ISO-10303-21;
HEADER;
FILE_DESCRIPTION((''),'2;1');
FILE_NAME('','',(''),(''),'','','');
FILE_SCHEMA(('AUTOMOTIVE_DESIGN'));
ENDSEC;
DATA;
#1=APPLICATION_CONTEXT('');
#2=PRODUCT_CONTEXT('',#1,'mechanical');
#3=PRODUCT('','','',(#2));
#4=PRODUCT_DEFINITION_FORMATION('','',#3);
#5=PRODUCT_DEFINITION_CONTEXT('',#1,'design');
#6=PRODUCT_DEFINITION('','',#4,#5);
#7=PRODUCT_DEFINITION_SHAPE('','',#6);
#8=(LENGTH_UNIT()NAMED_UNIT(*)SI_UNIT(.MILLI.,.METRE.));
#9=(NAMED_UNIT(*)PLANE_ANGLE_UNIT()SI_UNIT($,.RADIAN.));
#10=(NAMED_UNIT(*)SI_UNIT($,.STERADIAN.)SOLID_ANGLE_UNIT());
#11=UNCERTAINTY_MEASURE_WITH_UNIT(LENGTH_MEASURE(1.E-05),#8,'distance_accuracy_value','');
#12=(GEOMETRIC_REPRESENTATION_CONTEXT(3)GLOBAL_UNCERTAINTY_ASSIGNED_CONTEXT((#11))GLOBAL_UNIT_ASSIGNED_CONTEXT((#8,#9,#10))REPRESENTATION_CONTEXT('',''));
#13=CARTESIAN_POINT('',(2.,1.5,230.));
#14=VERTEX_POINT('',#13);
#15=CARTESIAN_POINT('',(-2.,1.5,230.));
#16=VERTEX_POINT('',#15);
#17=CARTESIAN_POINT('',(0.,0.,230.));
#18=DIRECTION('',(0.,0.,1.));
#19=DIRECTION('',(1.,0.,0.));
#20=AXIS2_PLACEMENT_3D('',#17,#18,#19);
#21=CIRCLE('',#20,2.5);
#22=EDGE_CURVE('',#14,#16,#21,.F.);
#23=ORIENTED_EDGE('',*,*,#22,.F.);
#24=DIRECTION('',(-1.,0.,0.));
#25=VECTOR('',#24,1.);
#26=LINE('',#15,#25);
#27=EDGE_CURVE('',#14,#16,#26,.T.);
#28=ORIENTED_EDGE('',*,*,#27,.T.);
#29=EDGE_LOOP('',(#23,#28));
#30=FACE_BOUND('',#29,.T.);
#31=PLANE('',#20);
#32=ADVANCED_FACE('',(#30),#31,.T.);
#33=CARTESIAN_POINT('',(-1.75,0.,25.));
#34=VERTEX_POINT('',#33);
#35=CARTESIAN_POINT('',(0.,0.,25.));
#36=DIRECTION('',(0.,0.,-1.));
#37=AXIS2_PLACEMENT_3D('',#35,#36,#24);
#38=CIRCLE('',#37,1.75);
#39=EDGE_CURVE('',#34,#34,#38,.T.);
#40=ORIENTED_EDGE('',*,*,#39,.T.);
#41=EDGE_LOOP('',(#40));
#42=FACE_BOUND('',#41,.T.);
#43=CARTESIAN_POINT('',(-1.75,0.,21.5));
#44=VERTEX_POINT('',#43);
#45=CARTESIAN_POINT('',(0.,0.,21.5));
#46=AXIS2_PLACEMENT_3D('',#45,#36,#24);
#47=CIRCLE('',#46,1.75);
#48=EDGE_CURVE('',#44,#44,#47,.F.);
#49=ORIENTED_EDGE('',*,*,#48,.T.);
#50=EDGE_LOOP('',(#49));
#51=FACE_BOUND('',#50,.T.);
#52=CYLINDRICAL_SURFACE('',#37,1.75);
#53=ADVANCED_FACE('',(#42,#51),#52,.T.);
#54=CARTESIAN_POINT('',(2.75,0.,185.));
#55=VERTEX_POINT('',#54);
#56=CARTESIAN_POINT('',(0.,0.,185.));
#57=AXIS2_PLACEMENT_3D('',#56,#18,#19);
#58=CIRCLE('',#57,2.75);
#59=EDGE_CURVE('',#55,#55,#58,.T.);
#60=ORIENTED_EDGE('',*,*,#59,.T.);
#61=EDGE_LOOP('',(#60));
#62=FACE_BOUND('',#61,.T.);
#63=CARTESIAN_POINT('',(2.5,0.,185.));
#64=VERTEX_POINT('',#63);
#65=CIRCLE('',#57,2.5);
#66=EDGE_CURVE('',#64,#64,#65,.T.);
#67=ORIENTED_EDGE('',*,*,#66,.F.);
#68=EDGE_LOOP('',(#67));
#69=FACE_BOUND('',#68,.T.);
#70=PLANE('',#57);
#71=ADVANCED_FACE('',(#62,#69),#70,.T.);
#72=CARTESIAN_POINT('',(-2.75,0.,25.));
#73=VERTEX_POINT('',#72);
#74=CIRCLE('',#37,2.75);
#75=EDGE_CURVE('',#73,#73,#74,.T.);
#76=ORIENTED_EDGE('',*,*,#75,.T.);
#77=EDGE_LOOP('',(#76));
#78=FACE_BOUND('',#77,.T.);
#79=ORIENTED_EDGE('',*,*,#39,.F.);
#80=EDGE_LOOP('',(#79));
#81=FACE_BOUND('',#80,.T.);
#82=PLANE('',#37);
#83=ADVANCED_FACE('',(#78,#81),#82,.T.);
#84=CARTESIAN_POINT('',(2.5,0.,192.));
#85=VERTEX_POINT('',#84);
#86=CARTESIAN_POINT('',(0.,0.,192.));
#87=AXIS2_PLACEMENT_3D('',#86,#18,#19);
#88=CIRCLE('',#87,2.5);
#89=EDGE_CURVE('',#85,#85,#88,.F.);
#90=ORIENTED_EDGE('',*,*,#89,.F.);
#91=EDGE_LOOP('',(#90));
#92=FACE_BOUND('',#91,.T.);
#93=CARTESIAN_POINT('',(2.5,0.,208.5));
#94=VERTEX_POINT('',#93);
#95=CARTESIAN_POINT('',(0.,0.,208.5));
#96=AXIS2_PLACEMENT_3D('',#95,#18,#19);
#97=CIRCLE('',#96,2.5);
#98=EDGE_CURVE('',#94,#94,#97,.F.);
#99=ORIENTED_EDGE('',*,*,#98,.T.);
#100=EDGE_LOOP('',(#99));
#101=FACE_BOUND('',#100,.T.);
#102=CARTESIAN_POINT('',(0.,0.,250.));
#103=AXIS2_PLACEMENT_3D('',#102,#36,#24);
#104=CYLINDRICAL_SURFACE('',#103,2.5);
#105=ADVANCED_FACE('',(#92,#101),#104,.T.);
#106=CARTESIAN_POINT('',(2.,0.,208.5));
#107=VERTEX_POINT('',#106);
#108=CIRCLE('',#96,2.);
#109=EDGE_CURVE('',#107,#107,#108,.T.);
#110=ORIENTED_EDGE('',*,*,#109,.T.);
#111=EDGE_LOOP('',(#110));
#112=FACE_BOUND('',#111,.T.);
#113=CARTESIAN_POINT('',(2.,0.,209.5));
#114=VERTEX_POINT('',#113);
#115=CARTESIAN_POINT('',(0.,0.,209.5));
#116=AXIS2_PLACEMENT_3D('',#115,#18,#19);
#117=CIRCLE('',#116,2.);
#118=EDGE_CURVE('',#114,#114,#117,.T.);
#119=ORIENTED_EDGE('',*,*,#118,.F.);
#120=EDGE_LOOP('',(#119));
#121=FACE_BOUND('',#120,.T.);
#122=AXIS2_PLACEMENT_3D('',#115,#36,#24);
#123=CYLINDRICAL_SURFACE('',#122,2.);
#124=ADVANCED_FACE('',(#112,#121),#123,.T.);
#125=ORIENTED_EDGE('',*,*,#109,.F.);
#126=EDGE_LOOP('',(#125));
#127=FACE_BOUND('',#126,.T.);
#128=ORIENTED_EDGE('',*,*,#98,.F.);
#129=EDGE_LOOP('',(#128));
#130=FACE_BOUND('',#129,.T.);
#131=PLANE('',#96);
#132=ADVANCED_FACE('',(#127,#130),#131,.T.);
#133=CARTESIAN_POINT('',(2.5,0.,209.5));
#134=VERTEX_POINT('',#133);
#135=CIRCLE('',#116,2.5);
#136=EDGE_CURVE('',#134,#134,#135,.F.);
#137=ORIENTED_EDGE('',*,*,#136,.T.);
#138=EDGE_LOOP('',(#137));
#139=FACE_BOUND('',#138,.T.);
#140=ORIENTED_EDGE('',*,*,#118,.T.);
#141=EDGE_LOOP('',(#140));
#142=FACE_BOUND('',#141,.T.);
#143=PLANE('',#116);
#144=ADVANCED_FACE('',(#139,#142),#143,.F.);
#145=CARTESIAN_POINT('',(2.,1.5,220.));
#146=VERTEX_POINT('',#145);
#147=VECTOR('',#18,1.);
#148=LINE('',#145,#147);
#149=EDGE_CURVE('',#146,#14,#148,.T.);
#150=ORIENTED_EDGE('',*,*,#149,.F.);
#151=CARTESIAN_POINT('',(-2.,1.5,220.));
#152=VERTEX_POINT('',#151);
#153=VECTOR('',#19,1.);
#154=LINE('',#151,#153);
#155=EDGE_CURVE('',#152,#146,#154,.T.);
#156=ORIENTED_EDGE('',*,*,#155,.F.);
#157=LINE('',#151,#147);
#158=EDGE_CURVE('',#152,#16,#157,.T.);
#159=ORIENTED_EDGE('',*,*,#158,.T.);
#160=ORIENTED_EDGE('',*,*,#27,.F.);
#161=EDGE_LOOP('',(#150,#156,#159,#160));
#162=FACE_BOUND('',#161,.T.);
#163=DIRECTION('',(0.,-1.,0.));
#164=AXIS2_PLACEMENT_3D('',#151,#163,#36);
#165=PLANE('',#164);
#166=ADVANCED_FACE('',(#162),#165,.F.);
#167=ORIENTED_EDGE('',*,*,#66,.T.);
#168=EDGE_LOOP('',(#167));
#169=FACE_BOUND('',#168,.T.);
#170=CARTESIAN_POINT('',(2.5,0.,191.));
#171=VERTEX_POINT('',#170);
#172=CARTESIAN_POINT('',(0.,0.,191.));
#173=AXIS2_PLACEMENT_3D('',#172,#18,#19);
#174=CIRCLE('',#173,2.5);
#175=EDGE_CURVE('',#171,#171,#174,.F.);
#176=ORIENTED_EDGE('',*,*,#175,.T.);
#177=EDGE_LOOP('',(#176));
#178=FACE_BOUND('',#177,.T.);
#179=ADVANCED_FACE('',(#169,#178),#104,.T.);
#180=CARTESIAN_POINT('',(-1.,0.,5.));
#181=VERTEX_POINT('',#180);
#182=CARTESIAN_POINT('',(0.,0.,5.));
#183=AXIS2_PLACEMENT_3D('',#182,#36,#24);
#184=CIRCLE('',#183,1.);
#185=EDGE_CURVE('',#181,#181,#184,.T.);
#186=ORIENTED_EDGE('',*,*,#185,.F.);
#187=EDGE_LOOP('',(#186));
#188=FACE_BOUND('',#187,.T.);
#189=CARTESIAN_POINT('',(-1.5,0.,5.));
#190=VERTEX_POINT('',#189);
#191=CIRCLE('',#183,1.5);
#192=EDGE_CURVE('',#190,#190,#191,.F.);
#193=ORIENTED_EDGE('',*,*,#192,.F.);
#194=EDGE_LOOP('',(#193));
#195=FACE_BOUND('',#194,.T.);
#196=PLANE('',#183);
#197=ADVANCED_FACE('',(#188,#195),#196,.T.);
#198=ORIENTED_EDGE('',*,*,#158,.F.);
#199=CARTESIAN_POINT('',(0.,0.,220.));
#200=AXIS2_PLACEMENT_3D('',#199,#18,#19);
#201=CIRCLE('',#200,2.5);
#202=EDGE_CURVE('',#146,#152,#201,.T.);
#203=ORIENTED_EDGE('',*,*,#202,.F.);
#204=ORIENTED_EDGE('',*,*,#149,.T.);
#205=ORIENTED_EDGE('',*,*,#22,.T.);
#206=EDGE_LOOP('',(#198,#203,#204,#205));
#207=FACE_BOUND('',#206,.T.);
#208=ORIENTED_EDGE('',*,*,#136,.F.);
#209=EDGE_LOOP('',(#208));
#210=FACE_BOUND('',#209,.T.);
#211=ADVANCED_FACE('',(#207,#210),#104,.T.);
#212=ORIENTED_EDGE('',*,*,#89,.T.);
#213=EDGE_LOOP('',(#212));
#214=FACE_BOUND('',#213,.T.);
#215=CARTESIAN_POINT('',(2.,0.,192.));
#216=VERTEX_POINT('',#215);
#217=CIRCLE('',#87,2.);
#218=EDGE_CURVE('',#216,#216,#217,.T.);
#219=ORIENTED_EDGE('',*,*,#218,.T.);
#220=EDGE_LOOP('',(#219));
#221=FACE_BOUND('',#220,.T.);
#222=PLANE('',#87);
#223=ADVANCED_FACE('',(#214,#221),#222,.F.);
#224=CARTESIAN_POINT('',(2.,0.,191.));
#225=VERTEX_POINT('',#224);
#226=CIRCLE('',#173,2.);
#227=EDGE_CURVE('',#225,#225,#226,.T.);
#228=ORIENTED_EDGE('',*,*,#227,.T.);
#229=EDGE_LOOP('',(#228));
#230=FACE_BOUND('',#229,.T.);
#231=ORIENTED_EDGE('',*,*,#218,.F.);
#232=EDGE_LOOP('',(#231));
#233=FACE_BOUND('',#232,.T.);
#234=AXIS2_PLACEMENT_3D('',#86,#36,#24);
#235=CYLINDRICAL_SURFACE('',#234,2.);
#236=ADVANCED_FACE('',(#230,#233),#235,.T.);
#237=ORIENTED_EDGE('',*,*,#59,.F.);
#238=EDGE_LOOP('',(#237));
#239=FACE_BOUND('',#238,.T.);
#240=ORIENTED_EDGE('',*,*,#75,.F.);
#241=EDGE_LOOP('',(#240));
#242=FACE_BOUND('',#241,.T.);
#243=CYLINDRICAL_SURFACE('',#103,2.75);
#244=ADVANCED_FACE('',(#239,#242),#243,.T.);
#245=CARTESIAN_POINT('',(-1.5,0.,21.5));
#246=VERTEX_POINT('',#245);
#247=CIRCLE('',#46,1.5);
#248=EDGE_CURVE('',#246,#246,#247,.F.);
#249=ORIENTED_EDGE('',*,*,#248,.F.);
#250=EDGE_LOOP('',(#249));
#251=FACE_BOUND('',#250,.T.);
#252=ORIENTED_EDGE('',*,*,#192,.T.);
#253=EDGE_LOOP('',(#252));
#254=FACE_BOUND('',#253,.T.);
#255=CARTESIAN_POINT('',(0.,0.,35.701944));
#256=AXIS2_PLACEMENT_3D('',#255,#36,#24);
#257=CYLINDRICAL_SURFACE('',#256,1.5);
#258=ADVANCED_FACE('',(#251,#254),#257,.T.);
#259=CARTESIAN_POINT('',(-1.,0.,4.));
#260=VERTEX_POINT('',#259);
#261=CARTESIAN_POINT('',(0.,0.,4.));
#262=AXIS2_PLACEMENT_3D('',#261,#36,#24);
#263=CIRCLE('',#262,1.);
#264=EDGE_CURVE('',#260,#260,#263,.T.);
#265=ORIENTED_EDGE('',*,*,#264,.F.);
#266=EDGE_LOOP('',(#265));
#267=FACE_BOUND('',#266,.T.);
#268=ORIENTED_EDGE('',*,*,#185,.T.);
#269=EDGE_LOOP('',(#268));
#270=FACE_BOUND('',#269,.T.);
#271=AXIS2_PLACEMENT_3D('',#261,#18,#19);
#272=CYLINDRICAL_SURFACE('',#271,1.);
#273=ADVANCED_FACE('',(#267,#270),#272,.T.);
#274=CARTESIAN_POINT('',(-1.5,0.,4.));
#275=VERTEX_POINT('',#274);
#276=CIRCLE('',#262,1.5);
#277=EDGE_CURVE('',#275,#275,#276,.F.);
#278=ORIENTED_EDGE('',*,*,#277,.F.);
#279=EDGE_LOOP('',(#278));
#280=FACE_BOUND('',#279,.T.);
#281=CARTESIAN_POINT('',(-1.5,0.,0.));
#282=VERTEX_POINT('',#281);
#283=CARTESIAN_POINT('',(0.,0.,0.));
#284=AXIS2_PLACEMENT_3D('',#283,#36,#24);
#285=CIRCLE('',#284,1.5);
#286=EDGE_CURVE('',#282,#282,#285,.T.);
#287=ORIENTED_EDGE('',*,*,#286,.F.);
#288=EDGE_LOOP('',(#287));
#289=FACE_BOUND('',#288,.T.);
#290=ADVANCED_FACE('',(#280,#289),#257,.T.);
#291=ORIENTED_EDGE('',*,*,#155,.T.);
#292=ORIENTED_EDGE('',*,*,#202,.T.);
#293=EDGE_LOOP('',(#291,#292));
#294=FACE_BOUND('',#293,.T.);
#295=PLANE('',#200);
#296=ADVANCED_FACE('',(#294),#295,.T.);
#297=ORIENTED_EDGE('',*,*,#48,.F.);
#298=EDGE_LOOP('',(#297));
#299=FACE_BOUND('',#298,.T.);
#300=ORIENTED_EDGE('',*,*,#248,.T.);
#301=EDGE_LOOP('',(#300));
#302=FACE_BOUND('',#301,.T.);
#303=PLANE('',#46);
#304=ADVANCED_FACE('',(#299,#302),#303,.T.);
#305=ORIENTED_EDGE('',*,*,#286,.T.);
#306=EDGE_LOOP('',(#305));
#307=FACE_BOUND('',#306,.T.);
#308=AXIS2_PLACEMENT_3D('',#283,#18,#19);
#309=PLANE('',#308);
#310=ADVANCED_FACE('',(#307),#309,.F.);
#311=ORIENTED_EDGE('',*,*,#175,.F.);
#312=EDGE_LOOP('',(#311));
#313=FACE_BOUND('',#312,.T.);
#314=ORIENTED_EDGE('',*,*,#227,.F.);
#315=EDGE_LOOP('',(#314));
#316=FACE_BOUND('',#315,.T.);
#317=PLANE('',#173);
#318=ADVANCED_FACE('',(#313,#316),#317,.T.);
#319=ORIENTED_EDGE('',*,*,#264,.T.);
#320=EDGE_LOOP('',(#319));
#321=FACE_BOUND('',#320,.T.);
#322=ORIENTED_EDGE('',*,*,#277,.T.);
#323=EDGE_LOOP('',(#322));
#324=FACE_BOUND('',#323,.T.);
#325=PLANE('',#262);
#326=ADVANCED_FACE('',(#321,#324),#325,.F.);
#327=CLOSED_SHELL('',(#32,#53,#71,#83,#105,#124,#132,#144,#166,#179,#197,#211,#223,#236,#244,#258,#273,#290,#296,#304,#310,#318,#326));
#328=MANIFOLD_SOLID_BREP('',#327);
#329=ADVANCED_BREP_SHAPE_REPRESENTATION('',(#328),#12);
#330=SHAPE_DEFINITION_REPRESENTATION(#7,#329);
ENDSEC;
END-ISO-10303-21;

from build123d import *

# Parameters (mm, degrees)
SKETCH_1_R           = 2.75
EXTRUDE_6_DEPTH      = 250
SKETCH_22_R          = 3.543321461
SKETCH_22_R_2        = 1.75
CUT_EXTRUDE_16_DEPTH = 25
SKETCH_23_R          = 4.906655543
SKETCH_23_R_2        = 2.5
CUT_EXTRUDE_17_DEPTH = 61
SKETCH_29_R          = 7.224487221
CUT_EXTRUDE_18_DEPTH = 10
CUT_EXTRUDE_19_DEPTH = 20
SKETCH_33_R          = 3.493195313
SKETCH_33_R_2        = 2.5
CUT_EXTRUDE_20_DEPTH = 5
SKETCH_34_R          = 3.783708721
SKETCH_34_R_2        = 1.5
CUT_EXTRUDE_21_DEPTH = 21.5
SKETCH_36_R          = 3.547380577
SKETCH_36_R_2        = 1
CUT_EXTRUDE_22_DEPTH = 1
SKETCH_37_R          = 5.022204732
SKETCH_37_R_2        = 2
CUT_EXTRUDE_23_DEPTH = 1
SKETCH_38_R          = 5.160137664
SKETCH_38_R_2        = 2
CUT_EXTRUDE_24_DEPTH = 1
SKETCH_39_R          = 4.465898571
CUT_EXTRUDE_25_DEPTH = 10


with BuildPart() as part:
    # 草图1 → 凸台-拉伸6 (new body)
    with BuildSketch(Plane.XY):
        Circle(SKETCH_1_R)
    extrude(amount=EXTRUDE_6_DEPTH)

    # 草图22 → 切除-拉伸16 (cut)
    with BuildSketch(Plane(origin=(0, 0, 0), x_dir=(-1, 0, 0), z_dir=(0, 0, -1))):
        Circle(SKETCH_22_R)
        Circle(SKETCH_22_R_2, mode=Mode.SUBTRACT)
    extrude(amount=-CUT_EXTRUDE_16_DEPTH, mode=Mode.SUBTRACT)

    # 草图23 → 切除-拉伸17 (cut, through all)
    with BuildSketch(Plane(origin=(0, 0, 190), x_dir=(-1, 0, 0), z_dir=(0, 0, -1))):
        Circle(SKETCH_23_R)
        Circle(SKETCH_23_R_2, mode=Mode.SUBTRACT)
    extrude(amount=-CUT_EXTRUDE_17_DEPTH, mode=Mode.SUBTRACT)

    # 草图29 → 切除-拉伸18 (cut)
    with BuildSketch(Plane.XY.offset(250)):
        Circle(SKETCH_29_R)
    extrude(amount=-CUT_EXTRUDE_18_DEPTH, mode=Mode.SUBTRACT)

    # 草图32 → 切除-拉伸19 (cut)
    with BuildSketch(Plane.XY.offset(240)):
        with BuildLine():
            Line((-2, 1.5), (2, 1.5))
            ThreePointArc((2, 1.5), (0, 2.5), (-2, 1.5))
        make_face()
    extrude(amount=-CUT_EXTRUDE_19_DEPTH, mode=Mode.SUBTRACT)

    # 草图33 → 切除-拉伸20 (cut)
    with BuildSketch(Plane.XY.offset(190)):
        Circle(SKETCH_33_R)
        Circle(SKETCH_33_R_2, mode=Mode.SUBTRACT)
    extrude(amount=-CUT_EXTRUDE_20_DEPTH, mode=Mode.SUBTRACT)

    # 草图34 → 切除-拉伸21 (cut)
    with BuildSketch(Plane(origin=(0, 0, 0), x_dir=(-1, 0, 0), z_dir=(0, 0, -1))):
        Circle(SKETCH_34_R)
        Circle(SKETCH_34_R_2, mode=Mode.SUBTRACT)
    extrude(amount=-CUT_EXTRUDE_21_DEPTH, mode=Mode.SUBTRACT)

    # 草图36 → 切除-拉伸22 (cut)
    with BuildSketch(Plane(origin=(0, 0, 5), x_dir=(-1, 0, 0), z_dir=(0, 0, -1))):
        Circle(SKETCH_36_R)
        Circle(SKETCH_36_R_2, mode=Mode.SUBTRACT)
    extrude(amount=CUT_EXTRUDE_22_DEPTH, mode=Mode.SUBTRACT)

    # 草图37 → 切除-拉伸23 (cut)
    with BuildSketch(Plane.XY.offset(191)):
        Circle(SKETCH_37_R)
        Circle(SKETCH_37_R_2, mode=Mode.SUBTRACT)
    extrude(amount=CUT_EXTRUDE_23_DEPTH, mode=Mode.SUBTRACT)

    # 草图38 → 切除-拉伸24 (cut)
    with BuildSketch(Plane.XY.offset(208.5)):
        Circle(SKETCH_38_R)
        Circle(SKETCH_38_R_2, mode=Mode.SUBTRACT)
    extrude(amount=CUT_EXTRUDE_24_DEPTH, mode=Mode.SUBTRACT)

    # 草图39 → 切除-拉伸25 (cut)
    with BuildSketch(Plane.XY.offset(240)):
        Circle(SKETCH_39_R)
    extrude(amount=-CUT_EXTRUDE_25_DEPTH, mode=Mode.SUBTRACT)


solid = part.part
